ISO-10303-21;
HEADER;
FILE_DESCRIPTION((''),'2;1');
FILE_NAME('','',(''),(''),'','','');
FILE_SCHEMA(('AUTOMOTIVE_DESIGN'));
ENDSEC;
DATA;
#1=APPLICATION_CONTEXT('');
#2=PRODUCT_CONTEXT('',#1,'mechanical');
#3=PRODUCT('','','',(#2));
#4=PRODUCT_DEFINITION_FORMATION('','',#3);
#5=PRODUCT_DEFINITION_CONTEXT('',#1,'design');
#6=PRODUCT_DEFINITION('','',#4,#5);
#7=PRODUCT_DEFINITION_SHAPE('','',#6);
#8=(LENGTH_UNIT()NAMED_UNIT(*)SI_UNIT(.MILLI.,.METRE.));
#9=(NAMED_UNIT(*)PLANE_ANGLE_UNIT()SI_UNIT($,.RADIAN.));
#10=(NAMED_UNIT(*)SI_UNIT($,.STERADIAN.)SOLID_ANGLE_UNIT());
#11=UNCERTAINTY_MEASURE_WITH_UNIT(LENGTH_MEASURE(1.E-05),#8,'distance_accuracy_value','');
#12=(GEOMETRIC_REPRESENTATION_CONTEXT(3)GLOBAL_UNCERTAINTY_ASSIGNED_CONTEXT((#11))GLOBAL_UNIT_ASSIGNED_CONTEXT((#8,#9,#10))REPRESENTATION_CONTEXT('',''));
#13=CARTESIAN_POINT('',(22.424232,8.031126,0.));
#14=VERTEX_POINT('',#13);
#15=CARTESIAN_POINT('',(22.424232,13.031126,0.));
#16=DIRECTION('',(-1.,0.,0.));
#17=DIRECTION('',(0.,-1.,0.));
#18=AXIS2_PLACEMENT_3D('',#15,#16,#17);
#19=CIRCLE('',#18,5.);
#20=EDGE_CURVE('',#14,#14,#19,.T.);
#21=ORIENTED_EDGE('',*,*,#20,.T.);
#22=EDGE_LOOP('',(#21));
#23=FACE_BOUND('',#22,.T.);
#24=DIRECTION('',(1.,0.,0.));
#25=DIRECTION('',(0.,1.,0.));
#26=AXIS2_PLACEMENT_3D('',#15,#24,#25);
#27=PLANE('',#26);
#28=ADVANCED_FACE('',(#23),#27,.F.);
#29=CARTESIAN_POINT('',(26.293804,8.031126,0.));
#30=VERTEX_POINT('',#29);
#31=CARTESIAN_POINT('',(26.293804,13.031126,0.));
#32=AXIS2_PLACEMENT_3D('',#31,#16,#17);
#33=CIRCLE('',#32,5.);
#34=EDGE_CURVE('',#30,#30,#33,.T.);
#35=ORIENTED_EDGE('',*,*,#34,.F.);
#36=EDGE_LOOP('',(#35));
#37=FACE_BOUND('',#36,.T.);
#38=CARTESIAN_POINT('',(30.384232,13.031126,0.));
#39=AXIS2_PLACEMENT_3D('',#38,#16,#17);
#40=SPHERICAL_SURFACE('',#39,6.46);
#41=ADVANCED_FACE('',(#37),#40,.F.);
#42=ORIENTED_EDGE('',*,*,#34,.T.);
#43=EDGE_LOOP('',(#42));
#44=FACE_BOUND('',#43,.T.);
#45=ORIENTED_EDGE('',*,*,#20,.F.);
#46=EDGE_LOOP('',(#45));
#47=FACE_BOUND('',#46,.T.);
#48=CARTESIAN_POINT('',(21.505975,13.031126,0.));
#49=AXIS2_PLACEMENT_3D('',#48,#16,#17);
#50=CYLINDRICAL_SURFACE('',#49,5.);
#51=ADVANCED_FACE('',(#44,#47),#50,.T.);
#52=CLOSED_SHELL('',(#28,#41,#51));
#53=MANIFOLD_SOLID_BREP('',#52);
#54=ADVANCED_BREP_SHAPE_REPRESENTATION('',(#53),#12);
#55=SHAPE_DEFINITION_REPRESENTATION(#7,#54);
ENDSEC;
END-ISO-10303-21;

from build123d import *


with BuildPart() as part:
    # 草图1 → 旋转1 (revolve)
    with BuildSketch(Plane.XY, mode=Mode.PRIVATE) as revolve_1_sk:
        with BuildLine():
            Line((22.424232054, 13.031126091), (22.424232054, 18.031126091))
            Line((22.424232054, 18.031126091), (26.293804203, 18.031126091))
            ThreePointArc((26.293804203, 18.031126091), (24.546605656, 15.797661478), (23.924232054, 13.031126091))
            Line((23.924232054, 13.031126091), (22.424232054, 13.031126091))
        make_face()
    revolve(revolve_1_sk.sketch.rotate(Axis((21.505975118, 13.031126091, 0), (1, 0, 0)), 180), axis=Axis((21.505975118, 13.031126091, 0), (1, 0, 0)))  # turned: the seam where the file's is


solid = part.part
